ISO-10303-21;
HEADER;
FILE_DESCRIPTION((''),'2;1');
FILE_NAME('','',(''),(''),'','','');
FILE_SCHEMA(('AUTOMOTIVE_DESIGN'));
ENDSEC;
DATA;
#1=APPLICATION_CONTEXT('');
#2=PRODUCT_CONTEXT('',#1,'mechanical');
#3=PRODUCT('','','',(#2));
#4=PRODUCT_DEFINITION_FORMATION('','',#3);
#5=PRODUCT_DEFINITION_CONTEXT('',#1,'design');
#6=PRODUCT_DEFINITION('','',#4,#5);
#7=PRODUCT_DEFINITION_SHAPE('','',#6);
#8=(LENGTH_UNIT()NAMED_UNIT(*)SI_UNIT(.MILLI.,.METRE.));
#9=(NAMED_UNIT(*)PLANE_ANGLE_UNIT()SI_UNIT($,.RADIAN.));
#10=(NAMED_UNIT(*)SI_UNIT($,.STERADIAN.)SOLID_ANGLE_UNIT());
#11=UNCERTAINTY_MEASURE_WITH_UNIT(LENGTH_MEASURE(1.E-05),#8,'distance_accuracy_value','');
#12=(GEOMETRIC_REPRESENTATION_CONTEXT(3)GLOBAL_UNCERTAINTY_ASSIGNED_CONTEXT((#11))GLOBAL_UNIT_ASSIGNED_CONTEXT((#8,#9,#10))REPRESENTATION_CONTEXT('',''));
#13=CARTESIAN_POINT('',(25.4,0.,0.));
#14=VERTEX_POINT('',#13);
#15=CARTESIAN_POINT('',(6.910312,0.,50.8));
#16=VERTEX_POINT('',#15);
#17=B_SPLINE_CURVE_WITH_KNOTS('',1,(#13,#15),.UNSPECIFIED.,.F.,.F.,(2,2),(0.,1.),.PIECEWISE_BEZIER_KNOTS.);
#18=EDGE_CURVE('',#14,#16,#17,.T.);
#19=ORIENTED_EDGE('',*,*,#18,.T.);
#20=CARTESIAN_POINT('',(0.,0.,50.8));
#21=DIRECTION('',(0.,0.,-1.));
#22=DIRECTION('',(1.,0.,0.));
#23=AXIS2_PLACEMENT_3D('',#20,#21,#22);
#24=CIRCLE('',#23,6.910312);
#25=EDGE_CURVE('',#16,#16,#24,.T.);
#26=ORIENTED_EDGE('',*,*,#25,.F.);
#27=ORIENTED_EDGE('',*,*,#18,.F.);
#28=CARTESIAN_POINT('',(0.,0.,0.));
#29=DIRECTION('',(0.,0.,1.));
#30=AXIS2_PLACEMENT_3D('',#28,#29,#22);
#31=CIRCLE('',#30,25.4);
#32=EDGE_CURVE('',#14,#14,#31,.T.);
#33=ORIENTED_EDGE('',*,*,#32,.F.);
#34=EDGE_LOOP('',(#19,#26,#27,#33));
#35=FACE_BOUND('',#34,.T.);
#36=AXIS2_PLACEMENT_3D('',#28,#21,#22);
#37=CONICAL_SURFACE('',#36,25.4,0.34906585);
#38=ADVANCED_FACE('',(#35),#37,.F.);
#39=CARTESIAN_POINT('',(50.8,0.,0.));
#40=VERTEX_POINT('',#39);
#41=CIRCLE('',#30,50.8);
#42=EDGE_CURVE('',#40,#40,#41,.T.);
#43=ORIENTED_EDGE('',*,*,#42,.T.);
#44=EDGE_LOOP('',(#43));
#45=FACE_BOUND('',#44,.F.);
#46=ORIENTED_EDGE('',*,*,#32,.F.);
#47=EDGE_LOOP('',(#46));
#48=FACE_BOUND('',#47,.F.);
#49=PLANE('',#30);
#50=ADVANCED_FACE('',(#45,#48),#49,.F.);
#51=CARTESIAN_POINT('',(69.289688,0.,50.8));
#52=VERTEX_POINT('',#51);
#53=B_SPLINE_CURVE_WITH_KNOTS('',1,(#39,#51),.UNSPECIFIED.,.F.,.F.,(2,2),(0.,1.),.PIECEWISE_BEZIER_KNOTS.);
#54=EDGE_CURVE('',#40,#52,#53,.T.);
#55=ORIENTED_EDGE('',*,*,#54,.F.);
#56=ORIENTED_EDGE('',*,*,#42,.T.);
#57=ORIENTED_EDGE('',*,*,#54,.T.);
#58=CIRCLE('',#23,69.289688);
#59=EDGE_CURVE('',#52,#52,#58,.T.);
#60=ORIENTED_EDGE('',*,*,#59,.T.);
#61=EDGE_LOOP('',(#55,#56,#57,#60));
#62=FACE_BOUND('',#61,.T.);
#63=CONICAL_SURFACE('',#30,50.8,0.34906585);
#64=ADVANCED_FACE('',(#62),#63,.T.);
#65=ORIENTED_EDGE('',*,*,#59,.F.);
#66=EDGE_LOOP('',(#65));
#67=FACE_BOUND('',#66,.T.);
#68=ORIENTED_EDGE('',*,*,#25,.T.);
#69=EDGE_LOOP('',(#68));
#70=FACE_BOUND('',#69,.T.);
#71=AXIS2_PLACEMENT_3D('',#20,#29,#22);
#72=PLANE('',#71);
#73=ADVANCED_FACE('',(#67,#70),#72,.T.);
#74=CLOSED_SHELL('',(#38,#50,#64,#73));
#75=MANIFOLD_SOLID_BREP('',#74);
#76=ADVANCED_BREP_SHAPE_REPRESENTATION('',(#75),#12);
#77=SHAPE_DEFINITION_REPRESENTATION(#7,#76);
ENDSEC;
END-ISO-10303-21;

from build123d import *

# Parameters (mm, degrees)
F0_R     = 50.8
F0_R_2   = 25.4
F1_DEPTH = 50.8
F1_TAPER = -20


with BuildPart() as f1:
    # F0 (on Top) → F1 (new body)
    with BuildSketch(Plane.XY):
        Circle(F0_R)
        Circle(F0_R_2, mode=Mode.SUBTRACT)
    extrude(amount=F1_DEPTH, taper=F1_TAPER)


solid = f1.part
